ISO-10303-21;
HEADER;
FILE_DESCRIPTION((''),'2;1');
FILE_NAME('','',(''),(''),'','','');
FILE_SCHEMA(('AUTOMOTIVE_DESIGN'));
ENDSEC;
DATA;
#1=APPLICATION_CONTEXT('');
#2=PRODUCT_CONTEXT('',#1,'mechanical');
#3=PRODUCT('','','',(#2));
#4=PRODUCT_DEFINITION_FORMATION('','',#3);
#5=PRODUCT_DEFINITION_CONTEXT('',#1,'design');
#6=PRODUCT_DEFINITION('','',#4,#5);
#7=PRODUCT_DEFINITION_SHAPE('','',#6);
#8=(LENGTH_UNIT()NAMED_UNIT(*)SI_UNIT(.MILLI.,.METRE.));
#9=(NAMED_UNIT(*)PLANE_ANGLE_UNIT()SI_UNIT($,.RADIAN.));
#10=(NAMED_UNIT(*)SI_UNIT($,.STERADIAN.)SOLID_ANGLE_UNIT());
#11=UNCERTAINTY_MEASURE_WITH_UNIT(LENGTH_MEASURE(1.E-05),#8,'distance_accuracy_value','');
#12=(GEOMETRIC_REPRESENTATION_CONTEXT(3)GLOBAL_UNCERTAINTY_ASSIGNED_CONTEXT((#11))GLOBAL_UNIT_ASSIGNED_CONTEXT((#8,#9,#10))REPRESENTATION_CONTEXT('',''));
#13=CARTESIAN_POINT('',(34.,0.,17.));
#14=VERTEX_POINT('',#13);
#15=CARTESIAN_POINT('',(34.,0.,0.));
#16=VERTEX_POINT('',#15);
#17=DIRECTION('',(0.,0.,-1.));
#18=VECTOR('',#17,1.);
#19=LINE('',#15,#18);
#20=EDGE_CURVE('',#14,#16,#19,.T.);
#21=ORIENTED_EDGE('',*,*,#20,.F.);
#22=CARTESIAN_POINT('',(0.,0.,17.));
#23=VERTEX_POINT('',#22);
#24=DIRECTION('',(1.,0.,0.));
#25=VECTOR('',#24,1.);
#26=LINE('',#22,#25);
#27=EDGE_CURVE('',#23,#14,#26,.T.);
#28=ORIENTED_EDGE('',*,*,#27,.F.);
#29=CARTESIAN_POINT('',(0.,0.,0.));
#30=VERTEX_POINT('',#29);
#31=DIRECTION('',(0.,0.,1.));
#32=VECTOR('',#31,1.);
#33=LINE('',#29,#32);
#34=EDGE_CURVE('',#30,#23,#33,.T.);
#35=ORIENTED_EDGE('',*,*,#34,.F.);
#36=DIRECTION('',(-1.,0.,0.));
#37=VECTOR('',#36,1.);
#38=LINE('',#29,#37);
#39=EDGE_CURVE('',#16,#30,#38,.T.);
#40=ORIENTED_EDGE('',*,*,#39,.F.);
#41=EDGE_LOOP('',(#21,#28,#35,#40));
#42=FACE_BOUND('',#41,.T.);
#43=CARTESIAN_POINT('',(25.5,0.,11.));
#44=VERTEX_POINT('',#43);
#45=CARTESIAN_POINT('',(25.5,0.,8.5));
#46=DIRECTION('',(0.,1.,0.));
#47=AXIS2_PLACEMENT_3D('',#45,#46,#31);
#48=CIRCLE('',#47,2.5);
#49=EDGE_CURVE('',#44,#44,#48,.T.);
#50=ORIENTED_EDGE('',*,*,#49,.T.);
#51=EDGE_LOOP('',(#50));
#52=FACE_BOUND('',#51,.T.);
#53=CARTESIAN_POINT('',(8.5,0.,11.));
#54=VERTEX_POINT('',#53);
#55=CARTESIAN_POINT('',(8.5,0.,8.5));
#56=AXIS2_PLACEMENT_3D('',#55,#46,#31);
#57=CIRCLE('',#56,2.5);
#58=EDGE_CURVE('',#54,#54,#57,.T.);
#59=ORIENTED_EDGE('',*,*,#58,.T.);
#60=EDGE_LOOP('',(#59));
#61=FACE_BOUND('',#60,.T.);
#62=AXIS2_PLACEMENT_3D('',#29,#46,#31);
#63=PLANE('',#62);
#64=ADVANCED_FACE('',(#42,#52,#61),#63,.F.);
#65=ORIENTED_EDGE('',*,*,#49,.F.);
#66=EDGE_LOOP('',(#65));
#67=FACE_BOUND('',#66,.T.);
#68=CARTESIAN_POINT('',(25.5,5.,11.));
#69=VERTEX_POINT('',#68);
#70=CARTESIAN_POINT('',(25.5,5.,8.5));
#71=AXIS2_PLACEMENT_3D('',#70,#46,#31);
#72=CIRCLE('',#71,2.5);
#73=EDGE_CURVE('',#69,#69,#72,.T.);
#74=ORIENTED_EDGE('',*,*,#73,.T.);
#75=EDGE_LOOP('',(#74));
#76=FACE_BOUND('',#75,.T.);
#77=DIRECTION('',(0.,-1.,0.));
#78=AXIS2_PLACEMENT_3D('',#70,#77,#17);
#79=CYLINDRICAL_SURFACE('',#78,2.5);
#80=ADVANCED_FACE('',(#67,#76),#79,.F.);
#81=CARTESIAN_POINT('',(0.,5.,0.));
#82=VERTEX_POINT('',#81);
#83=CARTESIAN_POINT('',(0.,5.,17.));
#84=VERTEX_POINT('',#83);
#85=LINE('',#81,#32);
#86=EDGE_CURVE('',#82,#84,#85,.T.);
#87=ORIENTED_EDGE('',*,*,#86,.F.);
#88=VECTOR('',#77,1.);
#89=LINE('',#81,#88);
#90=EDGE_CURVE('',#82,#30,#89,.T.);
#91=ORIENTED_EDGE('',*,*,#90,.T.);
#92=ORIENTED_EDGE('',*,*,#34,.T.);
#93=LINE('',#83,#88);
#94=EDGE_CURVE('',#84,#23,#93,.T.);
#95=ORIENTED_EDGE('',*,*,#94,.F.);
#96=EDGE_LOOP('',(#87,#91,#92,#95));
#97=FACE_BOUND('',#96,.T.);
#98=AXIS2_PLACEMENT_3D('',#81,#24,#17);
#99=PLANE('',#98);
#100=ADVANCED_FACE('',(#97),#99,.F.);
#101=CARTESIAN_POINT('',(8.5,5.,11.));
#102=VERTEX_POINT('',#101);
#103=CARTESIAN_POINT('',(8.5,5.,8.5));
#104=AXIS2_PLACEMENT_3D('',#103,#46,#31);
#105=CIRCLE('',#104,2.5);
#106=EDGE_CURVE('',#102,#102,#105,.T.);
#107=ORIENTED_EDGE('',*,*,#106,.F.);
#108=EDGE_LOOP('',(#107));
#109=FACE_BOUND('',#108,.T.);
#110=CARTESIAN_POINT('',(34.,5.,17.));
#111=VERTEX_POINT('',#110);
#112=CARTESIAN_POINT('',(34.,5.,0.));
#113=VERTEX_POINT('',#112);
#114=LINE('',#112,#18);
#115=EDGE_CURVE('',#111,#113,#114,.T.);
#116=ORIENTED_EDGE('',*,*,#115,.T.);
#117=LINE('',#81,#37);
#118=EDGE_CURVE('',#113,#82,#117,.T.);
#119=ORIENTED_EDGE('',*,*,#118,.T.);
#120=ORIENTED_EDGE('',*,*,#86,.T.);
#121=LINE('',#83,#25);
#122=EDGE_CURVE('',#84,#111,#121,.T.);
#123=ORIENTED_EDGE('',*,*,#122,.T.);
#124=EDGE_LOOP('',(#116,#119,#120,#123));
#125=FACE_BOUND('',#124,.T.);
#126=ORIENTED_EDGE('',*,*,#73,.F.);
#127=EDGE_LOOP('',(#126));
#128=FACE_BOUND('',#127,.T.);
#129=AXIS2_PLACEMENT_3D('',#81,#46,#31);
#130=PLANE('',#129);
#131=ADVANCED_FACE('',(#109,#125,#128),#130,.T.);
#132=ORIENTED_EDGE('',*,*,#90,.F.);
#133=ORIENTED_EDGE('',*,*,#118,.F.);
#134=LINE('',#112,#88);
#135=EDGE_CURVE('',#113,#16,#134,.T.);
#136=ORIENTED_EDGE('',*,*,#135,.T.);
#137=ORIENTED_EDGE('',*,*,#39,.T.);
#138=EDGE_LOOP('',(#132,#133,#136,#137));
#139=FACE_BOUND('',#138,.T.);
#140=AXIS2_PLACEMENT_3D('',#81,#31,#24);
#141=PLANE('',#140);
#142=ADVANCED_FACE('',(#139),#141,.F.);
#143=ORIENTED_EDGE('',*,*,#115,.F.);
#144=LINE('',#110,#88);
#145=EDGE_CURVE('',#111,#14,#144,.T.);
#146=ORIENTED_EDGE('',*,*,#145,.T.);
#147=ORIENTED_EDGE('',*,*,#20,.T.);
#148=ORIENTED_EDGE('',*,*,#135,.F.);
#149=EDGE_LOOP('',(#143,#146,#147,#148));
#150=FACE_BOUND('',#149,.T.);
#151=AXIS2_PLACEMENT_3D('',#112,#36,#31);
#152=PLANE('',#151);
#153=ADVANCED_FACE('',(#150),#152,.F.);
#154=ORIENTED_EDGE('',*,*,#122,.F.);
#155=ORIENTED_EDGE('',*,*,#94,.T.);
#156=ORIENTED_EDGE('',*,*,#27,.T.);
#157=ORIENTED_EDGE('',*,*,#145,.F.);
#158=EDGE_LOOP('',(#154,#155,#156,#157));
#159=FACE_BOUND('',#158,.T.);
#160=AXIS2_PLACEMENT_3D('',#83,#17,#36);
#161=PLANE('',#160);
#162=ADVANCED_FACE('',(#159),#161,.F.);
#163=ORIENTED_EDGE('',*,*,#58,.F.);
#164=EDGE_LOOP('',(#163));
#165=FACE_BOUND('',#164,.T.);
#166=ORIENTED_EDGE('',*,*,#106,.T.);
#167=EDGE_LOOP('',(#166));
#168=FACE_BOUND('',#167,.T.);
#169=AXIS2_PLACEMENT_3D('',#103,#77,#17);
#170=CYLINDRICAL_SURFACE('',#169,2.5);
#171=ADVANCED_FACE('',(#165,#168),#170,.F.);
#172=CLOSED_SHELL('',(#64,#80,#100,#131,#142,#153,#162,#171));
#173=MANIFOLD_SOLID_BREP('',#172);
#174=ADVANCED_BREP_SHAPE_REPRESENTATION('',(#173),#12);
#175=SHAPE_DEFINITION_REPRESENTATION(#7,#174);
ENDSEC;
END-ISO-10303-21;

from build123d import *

# Parameters (mm, degrees)
SKETCH1_W           = 34
SKETCH1_H           = 17
SKETCH1_R           = 2.5
BOSS_EXTRUDE1_DEPTH = 5


with BuildPart() as part:
    # sketch1 → Boss-Extrude1 (new body)
    with BuildSketch(Plane(origin=(0, 0, 0), x_dir=(1, 0, 0), z_dir=(0, 1, 0))):
        with Locations((17, -8.5)):
            Rectangle(SKETCH1_W, SKETCH1_H)
        with Locations((8.5, -8.5)):
            Circle(SKETCH1_R, mode=Mode.SUBTRACT)
        with Locations((25.5, -8.5)):
            Circle(SKETCH1_R, mode=Mode.SUBTRACT)
    extrude(amount=BOSS_EXTRUDE1_DEPTH)


solid = part.part
